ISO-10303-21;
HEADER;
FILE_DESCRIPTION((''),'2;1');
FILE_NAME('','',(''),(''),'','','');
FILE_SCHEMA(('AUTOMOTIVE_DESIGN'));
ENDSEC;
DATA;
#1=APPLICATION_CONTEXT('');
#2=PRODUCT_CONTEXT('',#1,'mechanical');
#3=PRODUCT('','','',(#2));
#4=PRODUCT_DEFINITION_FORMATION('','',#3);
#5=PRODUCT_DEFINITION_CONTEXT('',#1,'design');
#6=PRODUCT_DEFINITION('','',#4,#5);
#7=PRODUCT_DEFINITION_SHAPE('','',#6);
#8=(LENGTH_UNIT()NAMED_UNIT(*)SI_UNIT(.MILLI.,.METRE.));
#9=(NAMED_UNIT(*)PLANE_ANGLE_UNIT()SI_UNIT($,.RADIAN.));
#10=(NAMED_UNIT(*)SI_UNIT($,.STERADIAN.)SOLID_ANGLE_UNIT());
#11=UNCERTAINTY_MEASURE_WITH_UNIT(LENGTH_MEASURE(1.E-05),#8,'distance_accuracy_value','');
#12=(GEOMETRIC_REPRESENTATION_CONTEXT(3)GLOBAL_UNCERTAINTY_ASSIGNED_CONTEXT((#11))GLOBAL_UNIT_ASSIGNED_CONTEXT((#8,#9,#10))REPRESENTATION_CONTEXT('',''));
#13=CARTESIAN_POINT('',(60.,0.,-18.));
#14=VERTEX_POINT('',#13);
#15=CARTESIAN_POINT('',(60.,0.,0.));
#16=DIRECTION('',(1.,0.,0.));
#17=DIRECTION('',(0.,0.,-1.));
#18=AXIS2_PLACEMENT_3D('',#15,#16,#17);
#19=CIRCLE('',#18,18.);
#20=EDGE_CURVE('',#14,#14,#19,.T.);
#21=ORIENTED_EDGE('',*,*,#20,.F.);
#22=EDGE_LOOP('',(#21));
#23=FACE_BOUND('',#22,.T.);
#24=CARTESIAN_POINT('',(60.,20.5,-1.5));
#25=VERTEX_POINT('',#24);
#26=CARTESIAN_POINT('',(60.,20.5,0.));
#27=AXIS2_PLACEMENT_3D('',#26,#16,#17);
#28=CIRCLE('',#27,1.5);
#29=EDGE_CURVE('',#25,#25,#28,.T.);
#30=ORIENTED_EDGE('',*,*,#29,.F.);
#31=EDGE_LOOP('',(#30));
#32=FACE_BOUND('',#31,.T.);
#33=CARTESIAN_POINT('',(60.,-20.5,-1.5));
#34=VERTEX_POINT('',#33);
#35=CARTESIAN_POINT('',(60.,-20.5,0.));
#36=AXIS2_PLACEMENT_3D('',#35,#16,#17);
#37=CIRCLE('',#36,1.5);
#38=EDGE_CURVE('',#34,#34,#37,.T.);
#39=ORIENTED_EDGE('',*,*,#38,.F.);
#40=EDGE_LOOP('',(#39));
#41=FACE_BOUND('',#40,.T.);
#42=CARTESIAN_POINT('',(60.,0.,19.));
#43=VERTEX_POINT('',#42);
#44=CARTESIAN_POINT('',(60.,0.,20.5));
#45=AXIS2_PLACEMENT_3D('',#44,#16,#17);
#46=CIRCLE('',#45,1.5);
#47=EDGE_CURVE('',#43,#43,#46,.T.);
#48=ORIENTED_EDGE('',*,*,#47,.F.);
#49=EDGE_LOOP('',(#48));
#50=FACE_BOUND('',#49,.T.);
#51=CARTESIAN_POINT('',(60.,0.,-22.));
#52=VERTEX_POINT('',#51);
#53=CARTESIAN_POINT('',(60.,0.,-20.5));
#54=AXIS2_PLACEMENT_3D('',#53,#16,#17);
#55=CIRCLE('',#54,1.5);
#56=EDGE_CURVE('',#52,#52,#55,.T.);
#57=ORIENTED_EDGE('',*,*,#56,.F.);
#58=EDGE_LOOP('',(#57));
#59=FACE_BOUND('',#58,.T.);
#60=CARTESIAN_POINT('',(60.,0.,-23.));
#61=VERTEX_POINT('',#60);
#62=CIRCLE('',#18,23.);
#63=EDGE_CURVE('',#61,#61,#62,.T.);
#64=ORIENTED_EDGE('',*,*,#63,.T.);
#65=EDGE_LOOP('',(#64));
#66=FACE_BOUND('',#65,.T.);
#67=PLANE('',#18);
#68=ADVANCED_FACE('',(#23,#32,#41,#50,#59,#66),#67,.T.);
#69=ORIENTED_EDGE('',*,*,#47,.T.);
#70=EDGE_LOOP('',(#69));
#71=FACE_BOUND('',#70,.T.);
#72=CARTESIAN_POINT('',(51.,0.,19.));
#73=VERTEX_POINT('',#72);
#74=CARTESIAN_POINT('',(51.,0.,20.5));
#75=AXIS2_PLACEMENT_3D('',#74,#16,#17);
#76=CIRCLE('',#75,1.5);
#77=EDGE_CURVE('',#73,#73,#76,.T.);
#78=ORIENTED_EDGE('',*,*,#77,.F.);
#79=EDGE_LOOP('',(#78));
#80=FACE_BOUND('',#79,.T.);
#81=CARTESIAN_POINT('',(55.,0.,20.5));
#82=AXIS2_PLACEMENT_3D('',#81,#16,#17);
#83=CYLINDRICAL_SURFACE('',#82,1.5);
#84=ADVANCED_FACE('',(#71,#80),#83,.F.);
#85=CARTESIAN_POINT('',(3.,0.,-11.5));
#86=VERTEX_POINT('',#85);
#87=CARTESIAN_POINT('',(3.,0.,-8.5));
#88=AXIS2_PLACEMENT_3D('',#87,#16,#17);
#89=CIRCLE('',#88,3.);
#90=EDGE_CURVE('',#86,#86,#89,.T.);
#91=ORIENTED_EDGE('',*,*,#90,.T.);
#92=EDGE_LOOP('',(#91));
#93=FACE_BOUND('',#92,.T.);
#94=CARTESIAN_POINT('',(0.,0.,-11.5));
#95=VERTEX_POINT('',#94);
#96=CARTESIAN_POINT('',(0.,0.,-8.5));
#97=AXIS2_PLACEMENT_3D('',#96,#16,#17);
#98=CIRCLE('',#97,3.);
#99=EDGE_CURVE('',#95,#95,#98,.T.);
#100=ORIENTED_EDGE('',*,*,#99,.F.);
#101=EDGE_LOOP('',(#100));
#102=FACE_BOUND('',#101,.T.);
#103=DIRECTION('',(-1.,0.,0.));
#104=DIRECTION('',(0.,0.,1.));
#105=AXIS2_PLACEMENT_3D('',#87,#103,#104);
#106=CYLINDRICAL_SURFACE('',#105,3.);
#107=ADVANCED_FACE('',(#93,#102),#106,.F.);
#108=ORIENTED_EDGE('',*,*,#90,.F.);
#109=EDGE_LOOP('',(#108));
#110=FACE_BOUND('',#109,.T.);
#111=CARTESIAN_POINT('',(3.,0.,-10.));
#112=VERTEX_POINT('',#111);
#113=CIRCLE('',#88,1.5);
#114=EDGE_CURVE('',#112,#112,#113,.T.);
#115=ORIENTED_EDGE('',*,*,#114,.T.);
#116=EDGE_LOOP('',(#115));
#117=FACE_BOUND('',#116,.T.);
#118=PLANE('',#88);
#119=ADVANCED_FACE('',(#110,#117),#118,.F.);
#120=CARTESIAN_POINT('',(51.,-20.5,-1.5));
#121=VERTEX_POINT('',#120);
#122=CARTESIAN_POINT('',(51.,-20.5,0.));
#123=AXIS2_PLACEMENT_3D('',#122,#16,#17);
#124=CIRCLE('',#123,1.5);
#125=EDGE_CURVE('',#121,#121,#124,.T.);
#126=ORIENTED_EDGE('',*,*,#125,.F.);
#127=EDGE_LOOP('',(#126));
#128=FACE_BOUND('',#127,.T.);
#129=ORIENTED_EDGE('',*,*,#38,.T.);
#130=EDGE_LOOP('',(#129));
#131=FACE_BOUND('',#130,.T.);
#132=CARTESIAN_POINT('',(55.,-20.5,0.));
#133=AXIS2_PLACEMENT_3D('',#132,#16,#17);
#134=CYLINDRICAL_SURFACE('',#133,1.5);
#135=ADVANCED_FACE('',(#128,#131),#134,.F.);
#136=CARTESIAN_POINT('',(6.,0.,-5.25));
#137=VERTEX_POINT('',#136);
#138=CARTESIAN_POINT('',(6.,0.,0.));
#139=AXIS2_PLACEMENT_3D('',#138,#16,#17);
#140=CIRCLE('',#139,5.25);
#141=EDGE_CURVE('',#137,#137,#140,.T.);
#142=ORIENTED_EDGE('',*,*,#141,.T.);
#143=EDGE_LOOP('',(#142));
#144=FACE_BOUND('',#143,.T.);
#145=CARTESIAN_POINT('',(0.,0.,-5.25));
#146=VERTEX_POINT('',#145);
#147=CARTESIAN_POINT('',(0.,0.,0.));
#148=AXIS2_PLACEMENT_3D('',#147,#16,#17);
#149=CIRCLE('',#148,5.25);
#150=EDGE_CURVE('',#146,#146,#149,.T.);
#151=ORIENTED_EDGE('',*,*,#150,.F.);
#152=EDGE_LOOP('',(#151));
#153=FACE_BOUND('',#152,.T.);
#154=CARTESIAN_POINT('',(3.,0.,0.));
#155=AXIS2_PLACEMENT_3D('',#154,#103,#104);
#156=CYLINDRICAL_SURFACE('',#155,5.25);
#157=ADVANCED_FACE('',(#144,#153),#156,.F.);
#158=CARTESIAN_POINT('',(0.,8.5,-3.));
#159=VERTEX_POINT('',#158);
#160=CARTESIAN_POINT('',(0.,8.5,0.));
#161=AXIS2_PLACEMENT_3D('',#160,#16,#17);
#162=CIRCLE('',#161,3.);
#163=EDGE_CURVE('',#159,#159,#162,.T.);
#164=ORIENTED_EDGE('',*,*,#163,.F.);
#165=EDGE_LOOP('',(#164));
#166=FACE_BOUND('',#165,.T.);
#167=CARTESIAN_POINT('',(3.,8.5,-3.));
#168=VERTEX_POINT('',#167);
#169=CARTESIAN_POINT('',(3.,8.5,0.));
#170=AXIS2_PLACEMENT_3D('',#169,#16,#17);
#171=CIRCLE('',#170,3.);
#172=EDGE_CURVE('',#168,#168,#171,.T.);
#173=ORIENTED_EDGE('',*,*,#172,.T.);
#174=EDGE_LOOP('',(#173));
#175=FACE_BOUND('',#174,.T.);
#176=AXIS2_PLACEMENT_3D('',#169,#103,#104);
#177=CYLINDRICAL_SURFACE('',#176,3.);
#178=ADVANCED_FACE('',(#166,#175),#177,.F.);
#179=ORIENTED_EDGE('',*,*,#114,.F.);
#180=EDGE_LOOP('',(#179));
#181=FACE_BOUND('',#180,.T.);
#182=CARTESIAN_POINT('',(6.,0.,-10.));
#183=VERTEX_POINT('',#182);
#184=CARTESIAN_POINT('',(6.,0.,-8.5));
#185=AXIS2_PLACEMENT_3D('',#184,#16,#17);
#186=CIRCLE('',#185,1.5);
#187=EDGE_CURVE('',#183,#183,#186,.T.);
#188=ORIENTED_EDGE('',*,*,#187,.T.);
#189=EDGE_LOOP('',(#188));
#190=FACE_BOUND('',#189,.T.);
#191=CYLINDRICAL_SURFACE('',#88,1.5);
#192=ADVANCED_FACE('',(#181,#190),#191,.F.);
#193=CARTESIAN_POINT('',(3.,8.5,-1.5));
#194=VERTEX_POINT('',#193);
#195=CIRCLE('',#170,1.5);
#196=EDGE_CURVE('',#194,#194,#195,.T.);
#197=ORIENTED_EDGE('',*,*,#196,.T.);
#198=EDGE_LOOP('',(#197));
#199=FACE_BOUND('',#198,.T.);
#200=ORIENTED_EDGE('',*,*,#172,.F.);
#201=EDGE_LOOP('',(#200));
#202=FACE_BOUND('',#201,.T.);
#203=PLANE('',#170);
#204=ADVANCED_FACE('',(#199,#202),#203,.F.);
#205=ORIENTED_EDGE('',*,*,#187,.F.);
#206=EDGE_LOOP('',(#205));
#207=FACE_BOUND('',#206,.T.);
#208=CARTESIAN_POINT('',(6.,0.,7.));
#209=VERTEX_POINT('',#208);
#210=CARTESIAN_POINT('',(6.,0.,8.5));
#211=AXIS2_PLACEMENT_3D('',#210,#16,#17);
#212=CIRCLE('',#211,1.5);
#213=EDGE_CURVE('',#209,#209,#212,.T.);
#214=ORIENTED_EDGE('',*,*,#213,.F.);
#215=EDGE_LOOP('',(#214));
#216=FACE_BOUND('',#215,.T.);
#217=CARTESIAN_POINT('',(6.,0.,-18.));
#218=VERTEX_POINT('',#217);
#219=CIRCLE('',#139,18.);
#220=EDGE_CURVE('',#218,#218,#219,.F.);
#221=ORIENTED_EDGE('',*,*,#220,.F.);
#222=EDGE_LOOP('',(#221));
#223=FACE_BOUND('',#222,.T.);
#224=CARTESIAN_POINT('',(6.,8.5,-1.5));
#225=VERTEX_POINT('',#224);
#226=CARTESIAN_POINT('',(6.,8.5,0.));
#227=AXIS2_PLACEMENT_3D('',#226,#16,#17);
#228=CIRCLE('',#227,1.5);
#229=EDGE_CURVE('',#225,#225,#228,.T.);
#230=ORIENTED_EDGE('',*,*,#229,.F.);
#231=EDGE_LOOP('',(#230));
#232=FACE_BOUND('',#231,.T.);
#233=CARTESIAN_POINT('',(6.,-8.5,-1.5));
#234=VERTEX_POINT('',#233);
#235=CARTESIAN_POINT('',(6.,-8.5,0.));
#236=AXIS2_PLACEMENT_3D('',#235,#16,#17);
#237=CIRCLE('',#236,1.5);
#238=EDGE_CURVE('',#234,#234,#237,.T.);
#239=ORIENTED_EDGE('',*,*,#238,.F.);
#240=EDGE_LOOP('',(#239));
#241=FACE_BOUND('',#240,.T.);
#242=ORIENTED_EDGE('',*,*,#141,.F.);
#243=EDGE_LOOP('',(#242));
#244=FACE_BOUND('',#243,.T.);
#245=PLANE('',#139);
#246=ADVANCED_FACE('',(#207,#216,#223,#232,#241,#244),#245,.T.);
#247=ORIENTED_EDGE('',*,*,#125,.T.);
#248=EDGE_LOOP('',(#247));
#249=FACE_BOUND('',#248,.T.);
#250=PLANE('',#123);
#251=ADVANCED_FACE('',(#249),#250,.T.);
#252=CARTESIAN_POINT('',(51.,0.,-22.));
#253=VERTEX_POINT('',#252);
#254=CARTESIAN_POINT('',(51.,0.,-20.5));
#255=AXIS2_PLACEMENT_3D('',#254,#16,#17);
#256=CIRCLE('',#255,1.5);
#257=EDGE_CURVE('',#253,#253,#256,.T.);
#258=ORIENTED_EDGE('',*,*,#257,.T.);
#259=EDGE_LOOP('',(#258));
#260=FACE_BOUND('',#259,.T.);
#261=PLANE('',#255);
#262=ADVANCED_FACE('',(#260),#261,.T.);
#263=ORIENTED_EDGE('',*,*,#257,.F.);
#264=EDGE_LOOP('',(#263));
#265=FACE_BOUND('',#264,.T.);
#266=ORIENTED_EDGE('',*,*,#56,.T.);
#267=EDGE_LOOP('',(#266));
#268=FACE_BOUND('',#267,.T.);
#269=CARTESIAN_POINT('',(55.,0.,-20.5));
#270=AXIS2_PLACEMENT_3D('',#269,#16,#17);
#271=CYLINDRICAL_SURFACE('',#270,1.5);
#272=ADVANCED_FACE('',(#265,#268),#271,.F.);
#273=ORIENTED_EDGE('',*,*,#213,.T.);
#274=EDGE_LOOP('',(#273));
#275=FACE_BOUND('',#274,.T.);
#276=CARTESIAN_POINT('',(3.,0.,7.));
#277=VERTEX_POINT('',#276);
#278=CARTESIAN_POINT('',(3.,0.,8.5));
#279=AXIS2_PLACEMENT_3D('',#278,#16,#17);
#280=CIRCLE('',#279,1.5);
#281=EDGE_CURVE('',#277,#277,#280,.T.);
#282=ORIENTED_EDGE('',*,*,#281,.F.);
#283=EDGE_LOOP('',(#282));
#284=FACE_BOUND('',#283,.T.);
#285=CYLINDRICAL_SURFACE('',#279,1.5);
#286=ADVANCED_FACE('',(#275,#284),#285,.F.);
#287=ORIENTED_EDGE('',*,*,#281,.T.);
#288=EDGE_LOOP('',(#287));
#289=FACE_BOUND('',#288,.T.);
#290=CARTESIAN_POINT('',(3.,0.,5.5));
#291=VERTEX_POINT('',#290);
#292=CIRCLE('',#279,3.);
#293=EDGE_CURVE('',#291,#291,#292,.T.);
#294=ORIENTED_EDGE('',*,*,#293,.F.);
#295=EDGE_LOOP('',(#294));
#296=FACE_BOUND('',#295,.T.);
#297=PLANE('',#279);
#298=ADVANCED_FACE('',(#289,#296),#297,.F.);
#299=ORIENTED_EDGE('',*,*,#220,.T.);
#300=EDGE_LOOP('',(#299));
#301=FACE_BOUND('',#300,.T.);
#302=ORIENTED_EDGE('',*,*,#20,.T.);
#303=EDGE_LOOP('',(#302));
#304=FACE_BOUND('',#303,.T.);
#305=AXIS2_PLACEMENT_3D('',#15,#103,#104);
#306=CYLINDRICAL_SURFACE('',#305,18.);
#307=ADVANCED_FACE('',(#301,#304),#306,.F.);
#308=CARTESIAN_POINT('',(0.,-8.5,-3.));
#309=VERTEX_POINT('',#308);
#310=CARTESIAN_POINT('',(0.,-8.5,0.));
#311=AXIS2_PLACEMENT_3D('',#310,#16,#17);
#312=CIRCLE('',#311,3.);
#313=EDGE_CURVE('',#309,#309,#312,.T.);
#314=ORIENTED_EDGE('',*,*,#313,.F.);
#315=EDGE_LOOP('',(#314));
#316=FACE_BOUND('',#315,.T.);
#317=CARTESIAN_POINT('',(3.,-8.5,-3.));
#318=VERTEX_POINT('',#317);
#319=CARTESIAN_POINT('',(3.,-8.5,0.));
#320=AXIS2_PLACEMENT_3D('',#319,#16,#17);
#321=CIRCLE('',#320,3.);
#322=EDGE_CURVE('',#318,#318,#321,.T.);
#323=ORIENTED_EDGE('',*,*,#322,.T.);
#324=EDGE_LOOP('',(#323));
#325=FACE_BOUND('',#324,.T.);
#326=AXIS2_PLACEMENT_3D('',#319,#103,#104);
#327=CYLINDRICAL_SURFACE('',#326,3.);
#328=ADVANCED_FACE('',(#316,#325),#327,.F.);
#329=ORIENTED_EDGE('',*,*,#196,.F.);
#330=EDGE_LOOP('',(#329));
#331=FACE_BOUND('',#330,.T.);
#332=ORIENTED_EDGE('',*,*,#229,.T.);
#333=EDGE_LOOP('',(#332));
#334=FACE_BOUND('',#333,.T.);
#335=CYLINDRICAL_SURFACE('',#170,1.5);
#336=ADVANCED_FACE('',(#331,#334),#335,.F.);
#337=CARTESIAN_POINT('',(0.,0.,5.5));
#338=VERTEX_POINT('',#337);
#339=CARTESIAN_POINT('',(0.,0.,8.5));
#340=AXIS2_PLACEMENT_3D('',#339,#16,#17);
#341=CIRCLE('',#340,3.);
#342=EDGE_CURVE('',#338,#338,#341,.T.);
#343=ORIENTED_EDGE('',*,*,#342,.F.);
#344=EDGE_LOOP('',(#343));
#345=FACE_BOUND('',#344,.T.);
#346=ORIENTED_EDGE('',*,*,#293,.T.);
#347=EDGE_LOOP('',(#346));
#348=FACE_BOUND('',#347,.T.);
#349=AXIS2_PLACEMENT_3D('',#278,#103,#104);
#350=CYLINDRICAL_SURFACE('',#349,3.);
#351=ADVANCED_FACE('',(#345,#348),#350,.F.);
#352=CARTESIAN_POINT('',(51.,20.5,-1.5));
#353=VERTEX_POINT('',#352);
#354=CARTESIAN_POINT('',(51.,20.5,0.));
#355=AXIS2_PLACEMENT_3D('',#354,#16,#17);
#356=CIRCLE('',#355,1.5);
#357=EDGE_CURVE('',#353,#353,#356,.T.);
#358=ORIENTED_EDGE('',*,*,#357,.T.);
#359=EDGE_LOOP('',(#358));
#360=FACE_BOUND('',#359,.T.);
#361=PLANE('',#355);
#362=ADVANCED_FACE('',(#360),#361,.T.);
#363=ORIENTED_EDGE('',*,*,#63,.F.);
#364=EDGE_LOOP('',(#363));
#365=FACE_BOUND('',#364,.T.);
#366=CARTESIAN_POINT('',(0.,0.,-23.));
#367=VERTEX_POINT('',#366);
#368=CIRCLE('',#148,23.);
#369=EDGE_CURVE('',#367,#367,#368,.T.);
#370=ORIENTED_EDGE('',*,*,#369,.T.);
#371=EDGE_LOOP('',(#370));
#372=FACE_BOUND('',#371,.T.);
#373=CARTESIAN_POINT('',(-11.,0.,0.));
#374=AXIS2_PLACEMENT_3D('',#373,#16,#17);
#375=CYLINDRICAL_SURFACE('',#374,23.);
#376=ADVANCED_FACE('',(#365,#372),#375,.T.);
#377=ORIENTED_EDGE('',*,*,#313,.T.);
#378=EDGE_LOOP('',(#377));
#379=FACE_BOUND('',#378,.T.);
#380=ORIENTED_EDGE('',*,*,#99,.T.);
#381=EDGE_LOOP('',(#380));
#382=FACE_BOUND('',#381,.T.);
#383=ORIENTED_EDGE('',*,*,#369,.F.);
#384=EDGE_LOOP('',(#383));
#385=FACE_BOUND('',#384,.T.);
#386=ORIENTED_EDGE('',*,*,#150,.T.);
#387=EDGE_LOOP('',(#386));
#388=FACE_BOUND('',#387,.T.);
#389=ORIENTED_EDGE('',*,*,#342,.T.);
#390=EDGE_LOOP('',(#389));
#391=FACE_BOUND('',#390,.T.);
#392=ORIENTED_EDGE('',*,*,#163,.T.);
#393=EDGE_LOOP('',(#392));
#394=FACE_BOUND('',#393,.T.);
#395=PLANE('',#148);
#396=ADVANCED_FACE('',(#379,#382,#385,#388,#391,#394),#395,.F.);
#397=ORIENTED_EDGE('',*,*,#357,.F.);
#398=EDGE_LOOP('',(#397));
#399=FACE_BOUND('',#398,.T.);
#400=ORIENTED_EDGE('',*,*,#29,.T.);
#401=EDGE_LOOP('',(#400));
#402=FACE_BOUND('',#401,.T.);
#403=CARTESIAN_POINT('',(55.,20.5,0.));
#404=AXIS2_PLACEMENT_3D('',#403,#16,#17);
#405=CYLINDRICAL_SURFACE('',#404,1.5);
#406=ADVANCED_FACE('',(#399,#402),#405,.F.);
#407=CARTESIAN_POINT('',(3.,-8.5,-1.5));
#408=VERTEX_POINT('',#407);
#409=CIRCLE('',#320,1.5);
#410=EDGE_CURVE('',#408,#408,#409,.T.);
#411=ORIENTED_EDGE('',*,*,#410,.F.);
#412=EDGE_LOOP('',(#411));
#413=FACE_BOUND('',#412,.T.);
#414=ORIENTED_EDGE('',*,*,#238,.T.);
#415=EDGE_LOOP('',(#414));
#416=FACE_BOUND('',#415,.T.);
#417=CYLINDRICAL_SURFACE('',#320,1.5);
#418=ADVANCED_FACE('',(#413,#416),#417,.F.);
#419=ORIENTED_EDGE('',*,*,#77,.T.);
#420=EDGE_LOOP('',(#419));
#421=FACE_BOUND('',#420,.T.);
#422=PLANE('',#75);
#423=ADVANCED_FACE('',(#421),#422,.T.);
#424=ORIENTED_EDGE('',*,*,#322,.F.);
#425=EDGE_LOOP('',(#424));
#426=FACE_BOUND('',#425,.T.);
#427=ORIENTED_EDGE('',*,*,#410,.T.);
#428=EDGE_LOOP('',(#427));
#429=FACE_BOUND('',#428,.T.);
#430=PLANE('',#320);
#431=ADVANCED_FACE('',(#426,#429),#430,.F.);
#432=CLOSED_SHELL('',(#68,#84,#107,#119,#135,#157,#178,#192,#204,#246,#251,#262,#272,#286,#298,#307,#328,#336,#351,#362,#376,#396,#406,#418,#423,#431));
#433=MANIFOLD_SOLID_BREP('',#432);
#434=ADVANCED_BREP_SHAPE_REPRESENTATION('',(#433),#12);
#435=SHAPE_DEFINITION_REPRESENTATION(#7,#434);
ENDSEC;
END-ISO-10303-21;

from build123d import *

# Parameters (mm, degrees)
SKETCH1_R           = 23
SKETCH1_R_2         = 18
BOSS_EXTRUDE1_DEPTH = 11
SKETCH1_13_R        = 23
SKETCH1_13_R_2      = 18
SKETCH1_13_R_3      = 3
SKETCH1_13_R_4      = 5.25
BOSS_EXTRUDE2_DEPTH = 3
BOSS_EXTRUDE4_START = 3
SKETCH1_16_R        = 23
SKETCH1_16_R_2      = 18
SKETCH1_16_R_3      = 3
SKETCH1_16_R_4      = 5.25
SKETCH1_16_R_5      = 1.5
BOSS_EXTRUDE4_DEPTH = 3
SKETCH1_17_R        = 23
SKETCH1_17_R_2      = 18
BOSS_EXTRUDE5_DEPTH = 60
SKETCH2_R           = 1.5
CUT_EXTRUDE1_DEPTH  = 5
BOSS_EXTRUDE6_START = 6
SKETCH1_20_R        = 3
SKETCH1_20_R_2      = 1.5
BOSS_EXTRUDE6_DEPTH = 3
SKETCH1_21_R        = 23
SKETCH1_21_R_2      = 18
CUT_EXTRUDE4_DEPTH  = 23
SKETCH2_2_R         = 1.5
CUT_EXTRUDE5_DEPTH  = 9


with BuildPart() as part:
    # Sketch1 → Boss-Extrude1 (new body)
    with BuildSketch(Plane(origin=(0, 0, 0), x_dir=(0, 0, -1), z_dir=(1, 0, 0))):
        Circle(SKETCH1_R)
        Circle(SKETCH1_R_2, mode=Mode.SUBTRACT)
    extrude(amount=-BOSS_EXTRUDE1_DEPTH)

    # Sketch1_13 → Boss-Extrude2 (add)
    with BuildSketch(Plane(origin=(0, 0, 0), x_dir=(0, 0, -1), z_dir=(1, 0, 0))):
        Circle(SKETCH1_13_R)
        Circle(SKETCH1_13_R_2, mode=Mode.SUBTRACT)
        Circle(SKETCH1_13_R_2)
        with Locations((-8.5, 0)):
            Circle(SKETCH1_13_R_3, mode=Mode.SUBTRACT)
        with Locations((8.5, 0)):
            Circle(SKETCH1_13_R_3, mode=Mode.SUBTRACT)
        Circle(SKETCH1_13_R_4, mode=Mode.SUBTRACT)
        with Locations((0, -8.5)):
            Circle(SKETCH1_13_R_3, mode=Mode.SUBTRACT)
        with Locations((0, 8.5)):
            Circle(SKETCH1_13_R_3, mode=Mode.SUBTRACT)
    extrude(amount=BOSS_EXTRUDE2_DEPTH)

    # Sketch1_16 → Boss-Extrude4 (add)
    with BuildSketch(Plane(origin=(0, 0, 0), x_dir=(0, 0, -1), z_dir=(1, 0, 0)).offset(BOSS_EXTRUDE4_START)):
        Circle(SKETCH1_16_R)
        Circle(SKETCH1_16_R_2, mode=Mode.SUBTRACT)
        Circle(SKETCH1_16_R_2)
        with Locations((-8.5, 0)):
            Circle(SKETCH1_16_R_3, mode=Mode.SUBTRACT)
        with Locations((8.5, 0)):
            Circle(SKETCH1_16_R_3, mode=Mode.SUBTRACT)
        Circle(SKETCH1_16_R_4, mode=Mode.SUBTRACT)
        with Locations((0, -8.5)):
            Circle(SKETCH1_16_R_3, mode=Mode.SUBTRACT)
        with Locations((0, 8.5)):
            Circle(SKETCH1_16_R_3, mode=Mode.SUBTRACT)
        with Locations((0, 8.5)):
            Circle(SKETCH1_16_R_3)
        with Locations((0, 8.5)):
            Circle(SKETCH1_16_R_5, mode=Mode.SUBTRACT)
        with Locations((-8.5, 0)):
            Circle(SKETCH1_16_R_3)
        with Locations((-8.5, 0)):
            Circle(SKETCH1_16_R_5, mode=Mode.SUBTRACT)
        with Locations((0, -8.5)):
            Circle(SKETCH1_16_R_3)
        with Locations((0, -8.5)):
            Circle(SKETCH1_16_R_5, mode=Mode.SUBTRACT)
        with Locations((8.5, 0)):
            Circle(SKETCH1_16_R_3)
        with Locations((8.5, 0)):
            Circle(SKETCH1_16_R_5, mode=Mode.SUBTRACT)
    extrude(amount=BOSS_EXTRUDE4_DEPTH)

    # Sketch1_17 → Boss-Extrude5 (add)
    with BuildSketch(Plane(origin=(0, 0, 0), x_dir=(0, 0, -1), z_dir=(1, 0, 0))):
        Circle(SKETCH1_17_R)
        Circle(SKETCH1_17_R_2, mode=Mode.SUBTRACT)
    extrude(amount=BOSS_EXTRUDE5_DEPTH)

    # Sketch2 → Cut-Extrude1 (cut)
    with BuildSketch(Plane(origin=(60, 0, 0), x_dir=(0, 0, -1), z_dir=(1, 0, 0))):
        with Locations((0, 20.5)):
            Circle(SKETCH2_R)
        with Locations((20.5, 0)):
            Circle(SKETCH2_R)
        with Locations((0, -20.5)):
            Circle(SKETCH2_R)
        with Locations((-20.5, 0)):
            Circle(SKETCH2_R)
    extrude(amount=-CUT_EXTRUDE1_DEPTH, mode=Mode.SUBTRACT)

    # Sketch1_20 → Boss-Extrude6 (add)
    with BuildSketch(Plane(origin=(0, 0, 0), x_dir=(0, 0, -1), z_dir=(1, 0, 0)).offset(BOSS_EXTRUDE6_START)):
        with Locations((0, 8.5)):
            Circle(SKETCH1_20_R)
        with Locations((0, 8.5)):
            Circle(SKETCH1_20_R_2, mode=Mode.SUBTRACT)
        with Locations((-8.5, 0)):
            Circle(SKETCH1_20_R)
        with Locations((-8.5, 0)):
            Circle(SKETCH1_20_R_2, mode=Mode.SUBTRACT)
        with Locations((0, -8.5)):
            Circle(SKETCH1_20_R)
        with Locations((0, -8.5)):
            Circle(SKETCH1_20_R_2, mode=Mode.SUBTRACT)
        with Locations((8.5, 0)):
            Circle(SKETCH1_20_R)
        with Locations((8.5, 0)):
            Circle(SKETCH1_20_R_2, mode=Mode.SUBTRACT)
    extrude(amount=-BOSS_EXTRUDE6_DEPTH)

    # Sketch1_21 → Cut-Extrude4 (cut)
    with BuildSketch(Plane(origin=(0, 0, 0), x_dir=(0, 0, -1), z_dir=(1, 0, 0))):
        Circle(SKETCH1_21_R)
        Circle(SKETCH1_21_R_2, mode=Mode.SUBTRACT)
    extrude(amount=-CUT_EXTRUDE4_DEPTH, mode=Mode.SUBTRACT)

    # Sketch2_2 → Cut-Extrude5 (cut)
    with BuildSketch(Plane(origin=(60, 0, 0), x_dir=(0, 0, -1), z_dir=(1, 0, 0))):
        with Locations((0, 20.5)):
            Circle(SKETCH2_2_R)
        with Locations((20.5, 0)):
            Circle(SKETCH2_2_R)
        with Locations((0, -20.5)):
            Circle(SKETCH2_2_R)
        with Locations((-20.5, 0)):
            Circle(SKETCH2_2_R)
    extrude(amount=-CUT_EXTRUDE5_DEPTH, mode=Mode.SUBTRACT)


solid = part.part
